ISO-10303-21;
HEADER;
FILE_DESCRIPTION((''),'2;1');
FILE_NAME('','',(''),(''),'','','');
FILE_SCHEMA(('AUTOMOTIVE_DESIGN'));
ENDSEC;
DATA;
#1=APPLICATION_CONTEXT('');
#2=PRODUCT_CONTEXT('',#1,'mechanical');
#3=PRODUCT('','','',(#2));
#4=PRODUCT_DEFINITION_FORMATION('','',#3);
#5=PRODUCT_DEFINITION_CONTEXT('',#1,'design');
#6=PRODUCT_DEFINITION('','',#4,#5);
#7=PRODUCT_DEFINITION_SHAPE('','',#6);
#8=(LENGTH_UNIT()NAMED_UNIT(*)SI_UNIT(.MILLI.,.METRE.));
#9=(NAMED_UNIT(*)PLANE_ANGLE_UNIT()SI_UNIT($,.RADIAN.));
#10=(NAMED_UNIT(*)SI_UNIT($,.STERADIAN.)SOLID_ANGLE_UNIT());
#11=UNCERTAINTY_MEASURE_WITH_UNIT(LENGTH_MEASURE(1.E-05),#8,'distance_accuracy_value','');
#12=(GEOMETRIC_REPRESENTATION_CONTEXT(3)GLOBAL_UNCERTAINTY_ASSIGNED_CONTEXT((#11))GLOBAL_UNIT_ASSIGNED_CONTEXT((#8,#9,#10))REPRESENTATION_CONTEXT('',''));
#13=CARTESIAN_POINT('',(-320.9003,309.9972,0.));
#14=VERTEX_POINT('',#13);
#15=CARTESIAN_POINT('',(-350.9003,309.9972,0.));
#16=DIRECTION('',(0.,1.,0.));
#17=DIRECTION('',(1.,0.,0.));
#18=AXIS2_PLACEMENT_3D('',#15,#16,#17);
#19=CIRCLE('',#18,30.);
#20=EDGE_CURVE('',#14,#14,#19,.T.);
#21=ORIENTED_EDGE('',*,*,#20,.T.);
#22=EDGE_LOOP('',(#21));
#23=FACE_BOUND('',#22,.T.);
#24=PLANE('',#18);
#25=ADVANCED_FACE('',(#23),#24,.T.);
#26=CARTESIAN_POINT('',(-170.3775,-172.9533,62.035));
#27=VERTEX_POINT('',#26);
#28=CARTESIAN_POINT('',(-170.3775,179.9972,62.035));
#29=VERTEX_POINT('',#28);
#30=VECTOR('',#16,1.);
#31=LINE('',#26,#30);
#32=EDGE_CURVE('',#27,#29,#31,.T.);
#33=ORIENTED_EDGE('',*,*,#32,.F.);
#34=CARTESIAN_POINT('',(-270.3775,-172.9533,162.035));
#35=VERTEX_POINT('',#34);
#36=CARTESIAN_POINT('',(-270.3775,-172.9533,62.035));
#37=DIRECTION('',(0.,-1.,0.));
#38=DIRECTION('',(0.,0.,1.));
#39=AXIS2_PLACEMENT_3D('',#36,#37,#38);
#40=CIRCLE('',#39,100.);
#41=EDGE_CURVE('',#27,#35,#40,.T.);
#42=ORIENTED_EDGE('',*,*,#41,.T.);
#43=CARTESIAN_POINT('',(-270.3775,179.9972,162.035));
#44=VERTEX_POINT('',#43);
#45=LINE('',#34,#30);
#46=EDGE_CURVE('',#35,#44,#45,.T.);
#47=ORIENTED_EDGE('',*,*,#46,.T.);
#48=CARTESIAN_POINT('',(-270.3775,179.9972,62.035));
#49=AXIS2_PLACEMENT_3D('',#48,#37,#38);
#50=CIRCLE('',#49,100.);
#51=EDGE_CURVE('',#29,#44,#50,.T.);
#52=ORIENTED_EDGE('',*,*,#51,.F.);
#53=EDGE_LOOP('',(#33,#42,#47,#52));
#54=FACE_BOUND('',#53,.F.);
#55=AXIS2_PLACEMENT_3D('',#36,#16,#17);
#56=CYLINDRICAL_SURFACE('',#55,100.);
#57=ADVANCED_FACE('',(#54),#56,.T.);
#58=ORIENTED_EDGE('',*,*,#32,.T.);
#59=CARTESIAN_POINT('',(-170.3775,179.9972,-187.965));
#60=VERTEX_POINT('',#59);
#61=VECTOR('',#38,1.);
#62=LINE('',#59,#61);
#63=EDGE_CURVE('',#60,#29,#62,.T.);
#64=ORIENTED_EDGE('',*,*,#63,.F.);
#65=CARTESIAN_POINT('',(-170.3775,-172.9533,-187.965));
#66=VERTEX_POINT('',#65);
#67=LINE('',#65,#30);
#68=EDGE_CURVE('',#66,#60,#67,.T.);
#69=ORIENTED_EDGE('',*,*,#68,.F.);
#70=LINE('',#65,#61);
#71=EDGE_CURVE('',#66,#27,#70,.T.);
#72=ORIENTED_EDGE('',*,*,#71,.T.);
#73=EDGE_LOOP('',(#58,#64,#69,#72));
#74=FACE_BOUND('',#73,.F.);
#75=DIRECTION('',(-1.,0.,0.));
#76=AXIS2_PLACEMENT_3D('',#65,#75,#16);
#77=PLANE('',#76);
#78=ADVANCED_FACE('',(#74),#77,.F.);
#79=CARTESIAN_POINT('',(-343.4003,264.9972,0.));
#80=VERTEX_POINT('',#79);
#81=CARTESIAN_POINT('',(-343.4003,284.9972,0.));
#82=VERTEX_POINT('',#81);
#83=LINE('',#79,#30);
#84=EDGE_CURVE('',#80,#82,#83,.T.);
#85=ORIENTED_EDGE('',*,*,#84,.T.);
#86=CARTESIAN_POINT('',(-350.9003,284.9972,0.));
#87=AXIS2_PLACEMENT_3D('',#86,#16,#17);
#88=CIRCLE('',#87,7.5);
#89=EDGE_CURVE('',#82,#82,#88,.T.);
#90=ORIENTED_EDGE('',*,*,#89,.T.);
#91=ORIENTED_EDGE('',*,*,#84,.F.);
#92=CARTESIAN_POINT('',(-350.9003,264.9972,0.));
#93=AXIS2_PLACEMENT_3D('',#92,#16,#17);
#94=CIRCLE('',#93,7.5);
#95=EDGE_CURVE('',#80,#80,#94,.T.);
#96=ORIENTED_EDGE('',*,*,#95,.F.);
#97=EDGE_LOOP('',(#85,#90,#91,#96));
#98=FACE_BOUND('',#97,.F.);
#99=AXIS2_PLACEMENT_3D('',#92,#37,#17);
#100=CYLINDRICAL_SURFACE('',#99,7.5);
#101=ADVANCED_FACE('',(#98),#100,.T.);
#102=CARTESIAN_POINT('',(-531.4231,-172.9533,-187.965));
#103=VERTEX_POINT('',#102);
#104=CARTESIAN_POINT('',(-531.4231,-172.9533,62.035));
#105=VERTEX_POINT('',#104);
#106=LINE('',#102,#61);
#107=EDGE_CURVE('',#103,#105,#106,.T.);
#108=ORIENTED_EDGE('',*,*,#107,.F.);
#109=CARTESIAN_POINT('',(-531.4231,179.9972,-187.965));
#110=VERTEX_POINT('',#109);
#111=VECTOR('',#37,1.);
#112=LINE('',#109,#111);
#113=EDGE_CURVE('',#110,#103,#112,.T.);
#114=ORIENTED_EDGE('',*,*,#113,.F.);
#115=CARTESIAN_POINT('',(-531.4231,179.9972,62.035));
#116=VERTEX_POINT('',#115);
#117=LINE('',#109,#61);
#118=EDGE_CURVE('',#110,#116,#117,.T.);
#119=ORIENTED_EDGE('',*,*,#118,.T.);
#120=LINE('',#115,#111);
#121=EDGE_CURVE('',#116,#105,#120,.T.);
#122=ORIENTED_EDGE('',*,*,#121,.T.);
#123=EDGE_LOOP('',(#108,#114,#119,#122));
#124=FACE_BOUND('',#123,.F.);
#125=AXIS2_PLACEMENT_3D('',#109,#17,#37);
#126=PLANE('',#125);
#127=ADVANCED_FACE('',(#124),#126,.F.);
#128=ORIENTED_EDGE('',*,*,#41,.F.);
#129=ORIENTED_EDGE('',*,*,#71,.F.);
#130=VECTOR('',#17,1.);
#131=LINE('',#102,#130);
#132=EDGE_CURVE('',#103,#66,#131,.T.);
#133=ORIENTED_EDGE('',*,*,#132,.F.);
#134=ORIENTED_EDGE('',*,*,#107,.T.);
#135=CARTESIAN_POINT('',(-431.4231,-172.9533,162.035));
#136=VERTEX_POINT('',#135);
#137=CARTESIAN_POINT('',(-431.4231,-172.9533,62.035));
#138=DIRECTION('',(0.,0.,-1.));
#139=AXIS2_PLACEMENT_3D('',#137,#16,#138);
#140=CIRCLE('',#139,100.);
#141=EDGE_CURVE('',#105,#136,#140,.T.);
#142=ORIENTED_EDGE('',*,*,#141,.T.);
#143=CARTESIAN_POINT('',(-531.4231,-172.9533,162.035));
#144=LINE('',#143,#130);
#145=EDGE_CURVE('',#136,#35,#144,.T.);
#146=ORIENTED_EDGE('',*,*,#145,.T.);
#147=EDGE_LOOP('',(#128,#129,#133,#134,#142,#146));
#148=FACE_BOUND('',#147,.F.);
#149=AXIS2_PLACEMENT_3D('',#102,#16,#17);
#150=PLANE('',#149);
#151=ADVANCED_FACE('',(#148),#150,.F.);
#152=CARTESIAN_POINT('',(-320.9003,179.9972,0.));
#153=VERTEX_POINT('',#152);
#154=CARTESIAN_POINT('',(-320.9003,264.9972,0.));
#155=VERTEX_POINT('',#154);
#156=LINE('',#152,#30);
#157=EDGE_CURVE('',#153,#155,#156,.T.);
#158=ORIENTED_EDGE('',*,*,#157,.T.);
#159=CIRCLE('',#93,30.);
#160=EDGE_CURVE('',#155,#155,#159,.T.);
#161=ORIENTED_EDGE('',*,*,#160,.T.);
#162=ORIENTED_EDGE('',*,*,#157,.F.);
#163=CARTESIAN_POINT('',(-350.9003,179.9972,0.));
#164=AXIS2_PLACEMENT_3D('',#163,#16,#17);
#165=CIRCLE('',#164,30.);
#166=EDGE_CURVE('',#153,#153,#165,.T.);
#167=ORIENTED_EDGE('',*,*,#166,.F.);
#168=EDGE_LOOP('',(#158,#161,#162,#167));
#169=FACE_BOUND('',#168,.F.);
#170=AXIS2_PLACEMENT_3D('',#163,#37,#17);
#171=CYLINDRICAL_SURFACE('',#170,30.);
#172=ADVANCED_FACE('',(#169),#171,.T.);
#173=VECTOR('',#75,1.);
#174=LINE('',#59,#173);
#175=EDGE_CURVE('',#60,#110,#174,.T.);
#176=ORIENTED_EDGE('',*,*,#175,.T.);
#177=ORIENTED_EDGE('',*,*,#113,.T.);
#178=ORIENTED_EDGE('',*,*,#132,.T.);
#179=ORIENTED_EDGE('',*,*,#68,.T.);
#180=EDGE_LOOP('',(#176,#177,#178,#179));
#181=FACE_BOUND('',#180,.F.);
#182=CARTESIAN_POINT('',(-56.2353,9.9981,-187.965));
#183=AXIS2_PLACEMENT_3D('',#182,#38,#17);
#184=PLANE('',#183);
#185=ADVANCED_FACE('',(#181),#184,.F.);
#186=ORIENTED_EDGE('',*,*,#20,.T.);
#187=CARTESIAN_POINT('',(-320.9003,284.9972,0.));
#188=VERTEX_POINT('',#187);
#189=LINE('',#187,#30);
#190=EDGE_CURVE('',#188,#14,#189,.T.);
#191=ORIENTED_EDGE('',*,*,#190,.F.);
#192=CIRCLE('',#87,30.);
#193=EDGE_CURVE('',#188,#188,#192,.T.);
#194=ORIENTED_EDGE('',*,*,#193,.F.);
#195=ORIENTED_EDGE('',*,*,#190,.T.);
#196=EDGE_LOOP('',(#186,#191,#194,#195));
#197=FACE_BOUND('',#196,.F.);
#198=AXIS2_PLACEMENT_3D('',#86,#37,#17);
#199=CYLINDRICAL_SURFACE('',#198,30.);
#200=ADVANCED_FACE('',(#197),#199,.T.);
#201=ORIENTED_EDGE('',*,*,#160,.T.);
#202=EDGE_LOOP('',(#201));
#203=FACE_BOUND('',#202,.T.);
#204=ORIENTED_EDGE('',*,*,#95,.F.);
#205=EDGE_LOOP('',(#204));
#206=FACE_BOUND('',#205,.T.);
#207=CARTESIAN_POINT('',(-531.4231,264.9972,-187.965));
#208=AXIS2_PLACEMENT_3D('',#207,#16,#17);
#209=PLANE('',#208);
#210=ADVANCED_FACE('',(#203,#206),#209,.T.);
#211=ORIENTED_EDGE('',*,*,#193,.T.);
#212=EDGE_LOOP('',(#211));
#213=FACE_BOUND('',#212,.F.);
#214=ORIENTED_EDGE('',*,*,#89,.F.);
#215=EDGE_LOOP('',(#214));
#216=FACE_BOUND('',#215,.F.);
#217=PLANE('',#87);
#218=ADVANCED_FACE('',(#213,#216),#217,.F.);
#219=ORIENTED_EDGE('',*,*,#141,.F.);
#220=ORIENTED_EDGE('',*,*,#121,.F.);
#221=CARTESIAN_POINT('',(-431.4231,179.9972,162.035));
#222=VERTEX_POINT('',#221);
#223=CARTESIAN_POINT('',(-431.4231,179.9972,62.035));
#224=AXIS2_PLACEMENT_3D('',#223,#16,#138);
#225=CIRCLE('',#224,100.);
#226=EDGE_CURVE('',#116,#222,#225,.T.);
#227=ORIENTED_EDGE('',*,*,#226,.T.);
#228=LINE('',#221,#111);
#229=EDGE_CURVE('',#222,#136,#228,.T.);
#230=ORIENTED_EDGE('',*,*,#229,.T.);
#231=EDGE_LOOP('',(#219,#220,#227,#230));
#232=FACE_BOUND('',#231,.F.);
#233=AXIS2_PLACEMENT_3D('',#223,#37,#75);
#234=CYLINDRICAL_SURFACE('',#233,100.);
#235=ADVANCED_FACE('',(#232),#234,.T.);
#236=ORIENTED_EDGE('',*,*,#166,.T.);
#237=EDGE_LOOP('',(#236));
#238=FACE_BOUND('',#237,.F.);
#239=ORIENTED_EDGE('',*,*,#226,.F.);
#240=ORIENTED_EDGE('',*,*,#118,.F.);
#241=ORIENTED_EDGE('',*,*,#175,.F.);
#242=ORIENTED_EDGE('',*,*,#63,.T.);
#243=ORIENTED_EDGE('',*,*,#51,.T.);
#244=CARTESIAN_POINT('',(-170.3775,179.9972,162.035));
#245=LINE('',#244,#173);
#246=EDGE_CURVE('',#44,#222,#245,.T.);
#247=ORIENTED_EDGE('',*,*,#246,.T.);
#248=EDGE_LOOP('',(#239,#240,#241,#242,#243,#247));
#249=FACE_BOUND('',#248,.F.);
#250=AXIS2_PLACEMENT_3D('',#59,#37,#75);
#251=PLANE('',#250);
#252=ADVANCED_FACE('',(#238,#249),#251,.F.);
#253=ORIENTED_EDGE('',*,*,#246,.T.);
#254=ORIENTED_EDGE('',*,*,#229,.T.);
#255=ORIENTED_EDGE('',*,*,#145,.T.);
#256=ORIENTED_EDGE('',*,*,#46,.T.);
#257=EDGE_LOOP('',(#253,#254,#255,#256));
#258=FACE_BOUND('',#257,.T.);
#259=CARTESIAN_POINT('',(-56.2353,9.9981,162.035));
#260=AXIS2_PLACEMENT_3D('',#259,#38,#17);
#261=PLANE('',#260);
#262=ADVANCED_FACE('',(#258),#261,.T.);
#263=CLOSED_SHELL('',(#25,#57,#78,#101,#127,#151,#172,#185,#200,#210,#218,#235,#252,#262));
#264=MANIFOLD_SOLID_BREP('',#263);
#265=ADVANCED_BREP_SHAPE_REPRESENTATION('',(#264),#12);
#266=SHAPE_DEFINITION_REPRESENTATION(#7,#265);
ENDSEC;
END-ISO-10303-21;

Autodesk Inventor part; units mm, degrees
ref_plane "YZ Plane" through (0, 0, 0) normal (1, 0, 0) x (0, 1, 0)
ref_plane "XZ Plane" through (0, 0, 0) normal (0, 1, 0) x (-1, 0, 0)
ref_plane "XY Plane" through (0, 0, 0) normal (0, 0, 1) x (1, 0, 0)
ref_plane "Plano de trabajo1" through (-56.2353, 9.9981, -187.965) normal (0, 0, 1) x (1, 0, 0)
sketch "Boceto1" plane through (-56.2353, 9.9981, -187.965) normal (0, 0, 1) x (1, 0, 0)
  line L0 (-114.1422, 169.9991) -> (-475.1878, 169.9991)
  line L1 (-475.1878, 169.9991) -> (-475.1878, -182.9514)
  line L2 (-475.1878, -182.9514) -> (-114.1422, -182.9514)
  line L3 (-114.1422, -182.9514) -> (-114.1422, 169.9991)
  point P0 (56.2353, -9.9981)
extrude "Extrusión1" add sketch "Boceto1" along normal blind 350
fillet "Empalme1" radius 100 2 edges at (-531.4231, 3.522, 162.035) (-170.3775, 3.522, 162.035)
sketch "Boceto2" plane through (-531.4231, 179.9972, -187.965) normal (0, 1, 0) x (1, 0, 0)
  circle A0 centre (180.5228, -187.965) radius 30
  point P0 (531.4231, -187.965)
  dimension "d3" = 60
extrude "Extrusión2" add sketch "Boceto2" along normal blind 85
sketch "Boceto5" plane through (-350.9003, 264.9972, 0) normal (0, 1, 0) x (1, 0, 0)
  circle A0 centre (0, 0) radius 7.5
  point P0 (350.9003, 0)
  dimension "d18" = 15
extrude "Extrusión5" add sketch "Boceto5" along normal blind 20
sketch "Boceto6" plane through (-350.9003, 284.9972, 0) normal (0, 1, 0) x (1, 0, 0)
  circle A0 centre (0, 0) radius 7.5 projected
  circle A1 centre (0, 0) radius 30
  point P0 (350.9003, 0)
  dimension "d21" = 60
extrude "Extrusión6" add sketch "Boceto6" along normal blind 25 contours A0 | A1
